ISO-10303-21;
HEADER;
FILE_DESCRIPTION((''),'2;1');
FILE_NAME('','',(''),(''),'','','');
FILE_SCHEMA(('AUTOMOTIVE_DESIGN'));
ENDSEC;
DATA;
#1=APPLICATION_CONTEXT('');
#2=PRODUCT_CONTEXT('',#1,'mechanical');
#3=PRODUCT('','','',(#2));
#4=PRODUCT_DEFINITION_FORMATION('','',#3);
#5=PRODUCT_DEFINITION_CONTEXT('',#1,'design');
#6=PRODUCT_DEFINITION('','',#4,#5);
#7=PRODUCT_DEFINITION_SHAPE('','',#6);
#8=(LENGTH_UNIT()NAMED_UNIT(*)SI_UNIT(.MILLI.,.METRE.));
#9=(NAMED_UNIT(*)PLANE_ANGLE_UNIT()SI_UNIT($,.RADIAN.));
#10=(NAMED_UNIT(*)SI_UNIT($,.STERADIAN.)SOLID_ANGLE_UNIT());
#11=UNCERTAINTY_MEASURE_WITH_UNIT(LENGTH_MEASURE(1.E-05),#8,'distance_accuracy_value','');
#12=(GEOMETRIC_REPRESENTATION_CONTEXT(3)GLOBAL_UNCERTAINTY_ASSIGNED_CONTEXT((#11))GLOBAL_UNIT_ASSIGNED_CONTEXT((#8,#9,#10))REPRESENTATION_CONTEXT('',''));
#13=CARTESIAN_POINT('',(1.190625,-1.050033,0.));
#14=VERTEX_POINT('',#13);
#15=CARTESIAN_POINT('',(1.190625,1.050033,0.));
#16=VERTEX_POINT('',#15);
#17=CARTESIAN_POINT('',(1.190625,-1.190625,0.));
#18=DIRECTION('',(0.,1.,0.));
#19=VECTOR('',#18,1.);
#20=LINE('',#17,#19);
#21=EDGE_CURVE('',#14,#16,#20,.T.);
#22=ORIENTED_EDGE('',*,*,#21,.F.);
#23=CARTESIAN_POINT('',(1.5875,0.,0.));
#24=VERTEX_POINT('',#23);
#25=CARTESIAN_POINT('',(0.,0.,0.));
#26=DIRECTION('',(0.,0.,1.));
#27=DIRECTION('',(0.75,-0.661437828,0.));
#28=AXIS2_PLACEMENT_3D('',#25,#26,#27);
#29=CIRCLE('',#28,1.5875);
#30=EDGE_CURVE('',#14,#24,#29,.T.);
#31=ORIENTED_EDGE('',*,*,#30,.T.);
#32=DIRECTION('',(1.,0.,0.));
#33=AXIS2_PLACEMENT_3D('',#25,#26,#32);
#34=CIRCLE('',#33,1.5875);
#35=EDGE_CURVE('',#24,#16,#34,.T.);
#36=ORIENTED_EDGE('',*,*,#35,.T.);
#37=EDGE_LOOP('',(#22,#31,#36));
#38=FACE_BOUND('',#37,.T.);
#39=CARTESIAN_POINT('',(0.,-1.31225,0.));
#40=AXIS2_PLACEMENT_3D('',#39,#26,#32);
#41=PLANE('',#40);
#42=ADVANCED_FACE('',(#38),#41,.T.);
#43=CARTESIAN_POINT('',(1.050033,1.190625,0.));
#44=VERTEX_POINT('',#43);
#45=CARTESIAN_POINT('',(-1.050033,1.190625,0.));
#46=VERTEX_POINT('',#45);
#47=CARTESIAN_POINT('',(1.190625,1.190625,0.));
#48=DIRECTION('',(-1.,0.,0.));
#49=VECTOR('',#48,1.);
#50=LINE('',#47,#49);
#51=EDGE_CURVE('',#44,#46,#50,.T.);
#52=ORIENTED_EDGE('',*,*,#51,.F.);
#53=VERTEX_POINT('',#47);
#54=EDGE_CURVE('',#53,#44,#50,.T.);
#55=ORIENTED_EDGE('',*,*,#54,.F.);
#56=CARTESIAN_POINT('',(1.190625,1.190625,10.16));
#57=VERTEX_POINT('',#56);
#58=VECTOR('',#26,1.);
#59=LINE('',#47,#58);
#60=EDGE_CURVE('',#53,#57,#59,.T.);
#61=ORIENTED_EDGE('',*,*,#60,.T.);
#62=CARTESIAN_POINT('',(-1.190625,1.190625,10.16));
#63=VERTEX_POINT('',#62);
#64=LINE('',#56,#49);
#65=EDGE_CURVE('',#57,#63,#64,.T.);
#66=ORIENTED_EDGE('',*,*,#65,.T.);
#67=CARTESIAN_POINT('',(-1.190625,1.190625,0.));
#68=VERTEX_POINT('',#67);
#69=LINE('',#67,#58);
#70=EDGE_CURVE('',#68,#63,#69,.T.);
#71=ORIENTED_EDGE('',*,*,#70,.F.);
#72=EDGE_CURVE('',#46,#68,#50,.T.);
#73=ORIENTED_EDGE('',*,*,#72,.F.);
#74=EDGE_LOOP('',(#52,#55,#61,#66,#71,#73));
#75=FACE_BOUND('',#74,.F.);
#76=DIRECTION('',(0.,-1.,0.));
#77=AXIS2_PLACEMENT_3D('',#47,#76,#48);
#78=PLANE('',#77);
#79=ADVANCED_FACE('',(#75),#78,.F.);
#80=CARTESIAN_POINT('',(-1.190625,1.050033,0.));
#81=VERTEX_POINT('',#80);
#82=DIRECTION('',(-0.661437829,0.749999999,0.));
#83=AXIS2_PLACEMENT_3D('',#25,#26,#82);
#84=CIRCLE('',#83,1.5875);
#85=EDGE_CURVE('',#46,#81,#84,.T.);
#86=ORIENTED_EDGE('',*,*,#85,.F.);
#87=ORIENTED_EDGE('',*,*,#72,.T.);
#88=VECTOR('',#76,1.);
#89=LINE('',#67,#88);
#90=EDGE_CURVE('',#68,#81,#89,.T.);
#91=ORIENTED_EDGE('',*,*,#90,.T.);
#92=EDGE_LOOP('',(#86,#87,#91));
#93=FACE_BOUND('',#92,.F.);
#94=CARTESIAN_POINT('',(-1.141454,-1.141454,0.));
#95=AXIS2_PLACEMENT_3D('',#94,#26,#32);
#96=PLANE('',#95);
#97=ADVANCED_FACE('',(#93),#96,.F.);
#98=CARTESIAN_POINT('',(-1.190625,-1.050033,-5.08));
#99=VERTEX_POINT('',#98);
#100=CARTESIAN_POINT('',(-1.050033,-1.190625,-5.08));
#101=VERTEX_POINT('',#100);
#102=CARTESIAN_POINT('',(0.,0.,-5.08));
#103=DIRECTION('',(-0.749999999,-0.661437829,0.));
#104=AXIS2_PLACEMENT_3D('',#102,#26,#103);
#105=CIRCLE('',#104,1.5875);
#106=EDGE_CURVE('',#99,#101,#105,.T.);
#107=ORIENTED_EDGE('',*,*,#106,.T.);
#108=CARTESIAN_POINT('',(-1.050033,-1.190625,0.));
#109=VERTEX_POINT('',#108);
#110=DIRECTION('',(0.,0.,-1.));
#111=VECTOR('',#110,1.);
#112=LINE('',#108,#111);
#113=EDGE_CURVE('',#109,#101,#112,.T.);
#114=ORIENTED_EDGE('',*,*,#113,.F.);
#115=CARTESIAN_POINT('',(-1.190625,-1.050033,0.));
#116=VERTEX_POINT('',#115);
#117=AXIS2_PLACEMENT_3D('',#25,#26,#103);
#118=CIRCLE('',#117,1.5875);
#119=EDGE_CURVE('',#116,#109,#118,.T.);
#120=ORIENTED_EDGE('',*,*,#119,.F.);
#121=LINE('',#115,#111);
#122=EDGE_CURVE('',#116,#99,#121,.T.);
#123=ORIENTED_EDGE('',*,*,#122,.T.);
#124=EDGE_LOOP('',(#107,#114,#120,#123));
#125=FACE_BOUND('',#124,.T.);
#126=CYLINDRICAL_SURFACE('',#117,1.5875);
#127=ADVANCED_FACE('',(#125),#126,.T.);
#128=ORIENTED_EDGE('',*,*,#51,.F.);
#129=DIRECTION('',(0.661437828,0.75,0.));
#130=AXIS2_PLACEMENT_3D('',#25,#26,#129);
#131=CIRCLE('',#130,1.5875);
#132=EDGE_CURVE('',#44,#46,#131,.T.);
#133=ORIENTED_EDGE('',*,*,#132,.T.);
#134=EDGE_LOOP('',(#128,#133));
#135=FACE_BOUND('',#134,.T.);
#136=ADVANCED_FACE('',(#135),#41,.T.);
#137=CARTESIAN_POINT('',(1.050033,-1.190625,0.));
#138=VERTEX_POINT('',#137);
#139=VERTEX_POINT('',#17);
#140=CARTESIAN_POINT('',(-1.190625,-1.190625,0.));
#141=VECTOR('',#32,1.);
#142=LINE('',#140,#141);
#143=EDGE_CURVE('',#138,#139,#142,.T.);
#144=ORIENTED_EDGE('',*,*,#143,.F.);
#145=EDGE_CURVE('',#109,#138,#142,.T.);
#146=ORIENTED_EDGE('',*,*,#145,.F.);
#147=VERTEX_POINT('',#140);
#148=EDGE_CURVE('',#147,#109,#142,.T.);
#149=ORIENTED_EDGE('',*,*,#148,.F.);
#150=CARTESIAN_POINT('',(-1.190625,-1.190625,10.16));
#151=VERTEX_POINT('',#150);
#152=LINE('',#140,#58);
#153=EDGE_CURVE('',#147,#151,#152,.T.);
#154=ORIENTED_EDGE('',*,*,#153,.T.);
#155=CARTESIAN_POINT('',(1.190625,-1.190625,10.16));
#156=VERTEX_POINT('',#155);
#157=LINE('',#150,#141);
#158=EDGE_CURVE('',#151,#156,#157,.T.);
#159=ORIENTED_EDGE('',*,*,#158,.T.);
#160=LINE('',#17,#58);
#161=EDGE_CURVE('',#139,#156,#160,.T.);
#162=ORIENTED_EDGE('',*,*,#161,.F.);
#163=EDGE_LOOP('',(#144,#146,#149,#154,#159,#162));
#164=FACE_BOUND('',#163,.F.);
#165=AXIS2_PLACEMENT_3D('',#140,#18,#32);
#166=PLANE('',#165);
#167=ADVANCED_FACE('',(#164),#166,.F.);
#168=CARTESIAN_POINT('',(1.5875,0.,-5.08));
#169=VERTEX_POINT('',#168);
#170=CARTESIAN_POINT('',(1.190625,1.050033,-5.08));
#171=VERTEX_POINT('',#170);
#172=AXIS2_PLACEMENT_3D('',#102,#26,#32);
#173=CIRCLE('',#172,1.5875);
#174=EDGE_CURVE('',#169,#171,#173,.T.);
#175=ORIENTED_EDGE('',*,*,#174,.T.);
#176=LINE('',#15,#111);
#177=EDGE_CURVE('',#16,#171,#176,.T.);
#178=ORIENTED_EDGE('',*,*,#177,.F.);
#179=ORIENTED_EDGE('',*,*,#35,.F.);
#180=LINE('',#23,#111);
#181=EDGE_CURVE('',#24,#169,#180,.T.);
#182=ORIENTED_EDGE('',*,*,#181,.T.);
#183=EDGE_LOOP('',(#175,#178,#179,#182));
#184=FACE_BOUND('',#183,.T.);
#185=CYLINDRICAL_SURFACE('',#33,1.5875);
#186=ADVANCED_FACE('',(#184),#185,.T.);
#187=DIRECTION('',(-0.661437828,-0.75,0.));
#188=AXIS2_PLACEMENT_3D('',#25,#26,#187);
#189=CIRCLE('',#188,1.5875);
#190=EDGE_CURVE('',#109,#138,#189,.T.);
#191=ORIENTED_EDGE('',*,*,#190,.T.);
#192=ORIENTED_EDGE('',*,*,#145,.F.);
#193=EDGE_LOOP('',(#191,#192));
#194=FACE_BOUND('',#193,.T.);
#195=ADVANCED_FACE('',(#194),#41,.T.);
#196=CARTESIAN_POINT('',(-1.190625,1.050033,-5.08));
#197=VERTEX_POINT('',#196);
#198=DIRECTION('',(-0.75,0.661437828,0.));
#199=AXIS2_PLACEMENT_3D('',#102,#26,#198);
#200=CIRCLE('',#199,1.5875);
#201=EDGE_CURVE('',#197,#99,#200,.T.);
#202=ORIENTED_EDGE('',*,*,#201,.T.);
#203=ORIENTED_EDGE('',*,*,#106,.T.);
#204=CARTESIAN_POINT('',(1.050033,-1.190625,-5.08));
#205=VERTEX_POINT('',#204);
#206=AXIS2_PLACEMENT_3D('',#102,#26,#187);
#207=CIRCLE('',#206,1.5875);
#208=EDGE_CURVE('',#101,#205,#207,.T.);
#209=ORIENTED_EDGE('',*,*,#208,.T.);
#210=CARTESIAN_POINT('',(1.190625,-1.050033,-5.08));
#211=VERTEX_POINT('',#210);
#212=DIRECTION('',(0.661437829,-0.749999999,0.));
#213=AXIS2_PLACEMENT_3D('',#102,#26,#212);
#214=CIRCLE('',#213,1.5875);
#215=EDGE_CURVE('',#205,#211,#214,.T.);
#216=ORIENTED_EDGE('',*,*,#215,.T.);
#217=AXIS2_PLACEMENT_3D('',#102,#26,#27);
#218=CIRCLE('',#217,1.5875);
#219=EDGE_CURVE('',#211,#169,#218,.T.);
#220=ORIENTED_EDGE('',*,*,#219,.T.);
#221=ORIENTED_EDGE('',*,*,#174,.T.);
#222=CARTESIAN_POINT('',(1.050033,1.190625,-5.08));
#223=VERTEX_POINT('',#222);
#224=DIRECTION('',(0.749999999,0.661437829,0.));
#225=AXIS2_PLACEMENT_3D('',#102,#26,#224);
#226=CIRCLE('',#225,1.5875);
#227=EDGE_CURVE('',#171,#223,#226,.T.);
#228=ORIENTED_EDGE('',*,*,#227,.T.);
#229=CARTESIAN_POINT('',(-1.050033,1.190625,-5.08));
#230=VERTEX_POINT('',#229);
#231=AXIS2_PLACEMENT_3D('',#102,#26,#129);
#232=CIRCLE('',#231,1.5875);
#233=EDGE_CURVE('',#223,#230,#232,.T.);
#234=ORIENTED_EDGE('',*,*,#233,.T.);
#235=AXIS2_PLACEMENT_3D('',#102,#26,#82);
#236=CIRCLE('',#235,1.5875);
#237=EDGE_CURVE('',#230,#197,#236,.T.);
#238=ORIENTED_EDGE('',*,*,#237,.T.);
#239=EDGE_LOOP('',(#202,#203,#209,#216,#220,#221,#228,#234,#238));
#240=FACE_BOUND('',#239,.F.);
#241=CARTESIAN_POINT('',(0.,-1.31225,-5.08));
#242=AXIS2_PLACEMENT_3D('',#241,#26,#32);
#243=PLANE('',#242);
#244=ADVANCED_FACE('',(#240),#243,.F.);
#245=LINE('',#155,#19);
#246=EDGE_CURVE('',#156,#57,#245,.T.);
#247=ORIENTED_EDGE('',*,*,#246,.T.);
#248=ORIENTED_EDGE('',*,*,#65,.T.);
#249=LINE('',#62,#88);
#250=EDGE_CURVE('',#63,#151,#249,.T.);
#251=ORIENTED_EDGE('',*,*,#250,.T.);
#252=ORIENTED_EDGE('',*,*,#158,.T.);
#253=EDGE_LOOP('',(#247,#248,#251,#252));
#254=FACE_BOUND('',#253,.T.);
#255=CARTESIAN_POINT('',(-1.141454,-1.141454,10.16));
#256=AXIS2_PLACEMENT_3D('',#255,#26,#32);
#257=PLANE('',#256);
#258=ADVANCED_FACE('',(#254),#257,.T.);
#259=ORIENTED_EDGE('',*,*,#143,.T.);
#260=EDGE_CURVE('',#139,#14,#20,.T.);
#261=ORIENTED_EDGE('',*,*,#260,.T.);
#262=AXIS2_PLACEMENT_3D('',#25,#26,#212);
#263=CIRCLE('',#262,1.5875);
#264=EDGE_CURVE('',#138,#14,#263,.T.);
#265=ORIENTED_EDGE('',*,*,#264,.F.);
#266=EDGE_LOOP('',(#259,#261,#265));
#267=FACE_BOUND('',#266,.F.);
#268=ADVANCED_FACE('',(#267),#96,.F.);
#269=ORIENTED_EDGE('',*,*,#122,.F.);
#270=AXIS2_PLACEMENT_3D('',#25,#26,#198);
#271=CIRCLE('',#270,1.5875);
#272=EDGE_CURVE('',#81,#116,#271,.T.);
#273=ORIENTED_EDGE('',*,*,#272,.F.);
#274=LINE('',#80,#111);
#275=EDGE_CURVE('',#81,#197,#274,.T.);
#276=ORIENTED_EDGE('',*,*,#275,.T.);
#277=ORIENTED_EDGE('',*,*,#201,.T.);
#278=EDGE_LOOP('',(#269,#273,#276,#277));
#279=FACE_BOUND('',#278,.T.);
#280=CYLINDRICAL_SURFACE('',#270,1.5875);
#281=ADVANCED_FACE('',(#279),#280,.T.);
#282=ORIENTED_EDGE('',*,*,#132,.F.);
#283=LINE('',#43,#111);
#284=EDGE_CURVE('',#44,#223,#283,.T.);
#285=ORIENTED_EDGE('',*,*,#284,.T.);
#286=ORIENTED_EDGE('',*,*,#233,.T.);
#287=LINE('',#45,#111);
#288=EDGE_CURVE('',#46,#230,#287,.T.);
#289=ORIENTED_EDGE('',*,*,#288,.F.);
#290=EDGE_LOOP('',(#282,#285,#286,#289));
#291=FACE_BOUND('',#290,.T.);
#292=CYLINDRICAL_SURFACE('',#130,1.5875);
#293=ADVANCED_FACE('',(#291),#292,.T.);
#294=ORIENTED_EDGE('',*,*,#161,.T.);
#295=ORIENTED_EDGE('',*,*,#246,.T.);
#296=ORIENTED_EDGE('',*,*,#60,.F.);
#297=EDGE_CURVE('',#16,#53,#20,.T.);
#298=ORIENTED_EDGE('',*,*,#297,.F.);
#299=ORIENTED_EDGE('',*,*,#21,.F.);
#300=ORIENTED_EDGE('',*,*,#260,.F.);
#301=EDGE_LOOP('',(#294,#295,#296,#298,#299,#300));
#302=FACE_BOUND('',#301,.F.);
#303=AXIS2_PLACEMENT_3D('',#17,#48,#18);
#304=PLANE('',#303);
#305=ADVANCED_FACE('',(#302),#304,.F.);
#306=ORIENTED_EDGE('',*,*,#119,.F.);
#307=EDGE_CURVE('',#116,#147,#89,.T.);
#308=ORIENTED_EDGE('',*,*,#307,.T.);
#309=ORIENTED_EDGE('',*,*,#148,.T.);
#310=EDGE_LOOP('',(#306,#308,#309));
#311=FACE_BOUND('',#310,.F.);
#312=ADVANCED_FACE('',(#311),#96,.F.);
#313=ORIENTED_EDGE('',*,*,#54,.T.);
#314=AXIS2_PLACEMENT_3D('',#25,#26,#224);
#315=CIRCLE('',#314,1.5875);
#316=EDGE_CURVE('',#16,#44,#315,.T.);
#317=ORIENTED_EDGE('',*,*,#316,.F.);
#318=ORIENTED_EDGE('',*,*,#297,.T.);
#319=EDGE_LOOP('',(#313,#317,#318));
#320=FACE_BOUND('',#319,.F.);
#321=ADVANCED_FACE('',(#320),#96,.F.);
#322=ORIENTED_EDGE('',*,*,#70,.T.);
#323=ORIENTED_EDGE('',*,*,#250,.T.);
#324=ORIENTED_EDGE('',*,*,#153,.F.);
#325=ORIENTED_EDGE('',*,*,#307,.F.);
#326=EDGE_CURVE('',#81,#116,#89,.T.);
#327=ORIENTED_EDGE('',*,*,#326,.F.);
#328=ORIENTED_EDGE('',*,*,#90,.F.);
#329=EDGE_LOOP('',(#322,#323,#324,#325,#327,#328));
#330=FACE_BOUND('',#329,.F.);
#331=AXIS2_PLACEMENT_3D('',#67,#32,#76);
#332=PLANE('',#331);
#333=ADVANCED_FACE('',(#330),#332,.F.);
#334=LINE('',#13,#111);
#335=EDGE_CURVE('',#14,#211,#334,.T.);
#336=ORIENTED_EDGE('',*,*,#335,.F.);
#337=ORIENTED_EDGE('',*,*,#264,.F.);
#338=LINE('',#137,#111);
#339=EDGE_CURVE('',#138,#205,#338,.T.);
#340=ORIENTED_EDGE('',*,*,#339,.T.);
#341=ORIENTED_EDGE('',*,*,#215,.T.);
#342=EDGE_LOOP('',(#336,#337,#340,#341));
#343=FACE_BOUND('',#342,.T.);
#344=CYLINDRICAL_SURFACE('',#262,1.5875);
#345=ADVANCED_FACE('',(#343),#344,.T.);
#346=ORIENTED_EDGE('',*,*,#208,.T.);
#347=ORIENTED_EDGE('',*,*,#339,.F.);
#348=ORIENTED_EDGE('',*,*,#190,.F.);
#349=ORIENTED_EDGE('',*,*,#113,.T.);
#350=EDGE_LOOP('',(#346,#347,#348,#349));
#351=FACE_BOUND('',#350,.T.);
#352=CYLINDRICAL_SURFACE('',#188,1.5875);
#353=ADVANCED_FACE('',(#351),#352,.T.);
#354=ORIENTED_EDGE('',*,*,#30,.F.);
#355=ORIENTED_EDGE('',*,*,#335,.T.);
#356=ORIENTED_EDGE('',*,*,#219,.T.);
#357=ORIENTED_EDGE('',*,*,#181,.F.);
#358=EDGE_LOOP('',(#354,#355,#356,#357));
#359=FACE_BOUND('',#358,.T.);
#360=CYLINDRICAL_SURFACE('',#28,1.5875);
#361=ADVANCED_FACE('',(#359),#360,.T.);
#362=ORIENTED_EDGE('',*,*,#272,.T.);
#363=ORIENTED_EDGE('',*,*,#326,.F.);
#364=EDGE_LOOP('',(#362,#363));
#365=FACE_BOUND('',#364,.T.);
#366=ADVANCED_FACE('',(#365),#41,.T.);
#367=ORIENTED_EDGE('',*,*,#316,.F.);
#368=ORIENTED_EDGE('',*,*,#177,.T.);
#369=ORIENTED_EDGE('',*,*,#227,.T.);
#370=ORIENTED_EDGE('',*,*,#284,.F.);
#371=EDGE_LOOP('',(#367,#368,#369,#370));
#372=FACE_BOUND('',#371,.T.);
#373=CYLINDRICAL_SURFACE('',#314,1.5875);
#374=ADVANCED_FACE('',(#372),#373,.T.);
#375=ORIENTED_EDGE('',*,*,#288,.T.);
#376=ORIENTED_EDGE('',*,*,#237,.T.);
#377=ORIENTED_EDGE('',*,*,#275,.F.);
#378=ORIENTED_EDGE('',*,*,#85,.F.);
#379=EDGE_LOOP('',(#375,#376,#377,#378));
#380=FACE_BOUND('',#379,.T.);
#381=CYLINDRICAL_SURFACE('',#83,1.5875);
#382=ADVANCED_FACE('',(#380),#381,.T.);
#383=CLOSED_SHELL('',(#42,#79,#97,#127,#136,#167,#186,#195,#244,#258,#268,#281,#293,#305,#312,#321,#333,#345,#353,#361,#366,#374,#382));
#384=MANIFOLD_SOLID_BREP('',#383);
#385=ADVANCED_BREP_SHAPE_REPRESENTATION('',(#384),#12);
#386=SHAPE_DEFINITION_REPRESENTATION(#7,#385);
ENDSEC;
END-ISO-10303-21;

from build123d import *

# Parameters (mm, degrees)
F1_DEPTH = 10.16
F2_DEPTH = 5.08


with BuildPart() as f1:
    # F0 (on Top) → F1 (new body)
    with BuildSketch(Plane.XY):
        with BuildLine():
            Line((-1.190625, -1.190625), (-1.0500325516, -1.190625))
            ThreePointArc((-1.0500325516, -1.190625), (-1.1225320151, -1.1225320151), (-1.190625, -1.0500325516))
            Line((-1.190625, -1.0500325516), (-1.190625, -1.190625))
        make_face()
        with BuildLine():
            Line((1.190625, -1.0500325516), (1.190625, 1.0500325516))
            ThreePointArc((1.190625, 1.0500325516), (1.1225320151, 1.1225320151), (1.0500325516, 1.190625))
            Line((1.0500325516, 1.190625), (-1.0500325516, 1.190625))
            ThreePointArc((-1.0500325516, 1.190625), (-1.1225320151, 1.1225320151), (-1.190625, 1.0500325516))
            Line((-1.190625, 1.0500325516), (-1.190625, -1.0500325516))
            ThreePointArc((-1.190625, -1.0500325516), (-1.1225320151, -1.1225320151), (-1.0500325516, -1.190625))
            Line((-1.0500325516, -1.190625), (1.0500325516, -1.190625))
            ThreePointArc((1.0500325516, -1.190625), (1.1225320151, -1.1225320151), (1.190625, -1.0500325516))
        make_face()
        with BuildLine():
            ThreePointArc((-1.190625, 1.0500325516), (-1.1225320151, 1.1225320151), (-1.0500325516, 1.190625))
            Line((-1.0500325516, 1.190625), (-1.190625, 1.190625))
            Line((-1.190625, 1.190625), (-1.190625, 1.0500325516))
        make_face()
        with BuildLine():
            ThreePointArc((1.0500325516, 1.190625), (1.1225320151, 1.1225320151), (1.190625, 1.0500325516))
            Line((1.190625, 1.0500325516), (1.190625, 1.190625))
            Line((1.190625, 1.190625), (1.0500325516, 1.190625))
        make_face()
        with BuildLine():
            Line((1.190625, -1.190625), (1.190625, -1.0500325516))
            ThreePointArc((1.190625, -1.0500325516), (1.1225320151, -1.1225320151), (1.0500325516, -1.190625))
            Line((1.0500325516, -1.190625), (1.190625, -1.190625))
        make_face()
    extrude(amount=F1_DEPTH)

    # F0 (on Top) → F2 (join)
    with BuildSketch(Plane.XY):
        with BuildLine():
            ThreePointArc((-1.0500325516, -1.190625), (0, -1.5875), (1.0500325516, -1.190625))
            Line((1.0500325516, -1.190625), (-1.0500325516, -1.190625))
        make_face()
        with BuildLine():
            Line((-1.190625, -1.0500325516), (-1.190625, 1.0500325516))
            ThreePointArc((-1.190625, 1.0500325516), (-1.5875, 0), (-1.190625, -1.0500325516))
        make_face()
        with BuildLine():
            Line((1.190625, -1.0500325516), (1.190625, 1.0500325516))
            ThreePointArc((1.190625, 1.0500325516), (1.1225320151, 1.1225320151), (1.0500325516, 1.190625))
            Line((1.0500325516, 1.190625), (-1.0500325516, 1.190625))
            ThreePointArc((-1.0500325516, 1.190625), (-1.1225320151, 1.1225320151), (-1.190625, 1.0500325516))
            Line((-1.190625, 1.0500325516), (-1.190625, -1.0500325516))
            ThreePointArc((-1.190625, -1.0500325516), (-1.1225320151, -1.1225320151), (-1.0500325516, -1.190625))
            Line((-1.0500325516, -1.190625), (1.0500325516, -1.190625))
            ThreePointArc((1.0500325516, -1.190625), (1.1225320151, -1.1225320151), (1.190625, -1.0500325516))
        make_face()
        with BuildLine():
            Line((-1.0500325516, 1.190625), (1.0500325516, 1.190625))
            ThreePointArc((1.0500325516, 1.190625), (0, 1.5875), (-1.0500325516, 1.190625))
        make_face()
        with BuildLine():
            ThreePointArc((1.190625, -1.0500325516), (1.4849702754, -0.5612660076), (1.5875, 0))
            ThreePointArc((1.5875, 0), (1.4849702754, 0.5612660076), (1.190625, 1.0500325516))
            Line((1.190625, 1.0500325516), (1.190625, -1.0500325516))
        make_face()
    extrude(amount=-F2_DEPTH)


solid = f1.part
